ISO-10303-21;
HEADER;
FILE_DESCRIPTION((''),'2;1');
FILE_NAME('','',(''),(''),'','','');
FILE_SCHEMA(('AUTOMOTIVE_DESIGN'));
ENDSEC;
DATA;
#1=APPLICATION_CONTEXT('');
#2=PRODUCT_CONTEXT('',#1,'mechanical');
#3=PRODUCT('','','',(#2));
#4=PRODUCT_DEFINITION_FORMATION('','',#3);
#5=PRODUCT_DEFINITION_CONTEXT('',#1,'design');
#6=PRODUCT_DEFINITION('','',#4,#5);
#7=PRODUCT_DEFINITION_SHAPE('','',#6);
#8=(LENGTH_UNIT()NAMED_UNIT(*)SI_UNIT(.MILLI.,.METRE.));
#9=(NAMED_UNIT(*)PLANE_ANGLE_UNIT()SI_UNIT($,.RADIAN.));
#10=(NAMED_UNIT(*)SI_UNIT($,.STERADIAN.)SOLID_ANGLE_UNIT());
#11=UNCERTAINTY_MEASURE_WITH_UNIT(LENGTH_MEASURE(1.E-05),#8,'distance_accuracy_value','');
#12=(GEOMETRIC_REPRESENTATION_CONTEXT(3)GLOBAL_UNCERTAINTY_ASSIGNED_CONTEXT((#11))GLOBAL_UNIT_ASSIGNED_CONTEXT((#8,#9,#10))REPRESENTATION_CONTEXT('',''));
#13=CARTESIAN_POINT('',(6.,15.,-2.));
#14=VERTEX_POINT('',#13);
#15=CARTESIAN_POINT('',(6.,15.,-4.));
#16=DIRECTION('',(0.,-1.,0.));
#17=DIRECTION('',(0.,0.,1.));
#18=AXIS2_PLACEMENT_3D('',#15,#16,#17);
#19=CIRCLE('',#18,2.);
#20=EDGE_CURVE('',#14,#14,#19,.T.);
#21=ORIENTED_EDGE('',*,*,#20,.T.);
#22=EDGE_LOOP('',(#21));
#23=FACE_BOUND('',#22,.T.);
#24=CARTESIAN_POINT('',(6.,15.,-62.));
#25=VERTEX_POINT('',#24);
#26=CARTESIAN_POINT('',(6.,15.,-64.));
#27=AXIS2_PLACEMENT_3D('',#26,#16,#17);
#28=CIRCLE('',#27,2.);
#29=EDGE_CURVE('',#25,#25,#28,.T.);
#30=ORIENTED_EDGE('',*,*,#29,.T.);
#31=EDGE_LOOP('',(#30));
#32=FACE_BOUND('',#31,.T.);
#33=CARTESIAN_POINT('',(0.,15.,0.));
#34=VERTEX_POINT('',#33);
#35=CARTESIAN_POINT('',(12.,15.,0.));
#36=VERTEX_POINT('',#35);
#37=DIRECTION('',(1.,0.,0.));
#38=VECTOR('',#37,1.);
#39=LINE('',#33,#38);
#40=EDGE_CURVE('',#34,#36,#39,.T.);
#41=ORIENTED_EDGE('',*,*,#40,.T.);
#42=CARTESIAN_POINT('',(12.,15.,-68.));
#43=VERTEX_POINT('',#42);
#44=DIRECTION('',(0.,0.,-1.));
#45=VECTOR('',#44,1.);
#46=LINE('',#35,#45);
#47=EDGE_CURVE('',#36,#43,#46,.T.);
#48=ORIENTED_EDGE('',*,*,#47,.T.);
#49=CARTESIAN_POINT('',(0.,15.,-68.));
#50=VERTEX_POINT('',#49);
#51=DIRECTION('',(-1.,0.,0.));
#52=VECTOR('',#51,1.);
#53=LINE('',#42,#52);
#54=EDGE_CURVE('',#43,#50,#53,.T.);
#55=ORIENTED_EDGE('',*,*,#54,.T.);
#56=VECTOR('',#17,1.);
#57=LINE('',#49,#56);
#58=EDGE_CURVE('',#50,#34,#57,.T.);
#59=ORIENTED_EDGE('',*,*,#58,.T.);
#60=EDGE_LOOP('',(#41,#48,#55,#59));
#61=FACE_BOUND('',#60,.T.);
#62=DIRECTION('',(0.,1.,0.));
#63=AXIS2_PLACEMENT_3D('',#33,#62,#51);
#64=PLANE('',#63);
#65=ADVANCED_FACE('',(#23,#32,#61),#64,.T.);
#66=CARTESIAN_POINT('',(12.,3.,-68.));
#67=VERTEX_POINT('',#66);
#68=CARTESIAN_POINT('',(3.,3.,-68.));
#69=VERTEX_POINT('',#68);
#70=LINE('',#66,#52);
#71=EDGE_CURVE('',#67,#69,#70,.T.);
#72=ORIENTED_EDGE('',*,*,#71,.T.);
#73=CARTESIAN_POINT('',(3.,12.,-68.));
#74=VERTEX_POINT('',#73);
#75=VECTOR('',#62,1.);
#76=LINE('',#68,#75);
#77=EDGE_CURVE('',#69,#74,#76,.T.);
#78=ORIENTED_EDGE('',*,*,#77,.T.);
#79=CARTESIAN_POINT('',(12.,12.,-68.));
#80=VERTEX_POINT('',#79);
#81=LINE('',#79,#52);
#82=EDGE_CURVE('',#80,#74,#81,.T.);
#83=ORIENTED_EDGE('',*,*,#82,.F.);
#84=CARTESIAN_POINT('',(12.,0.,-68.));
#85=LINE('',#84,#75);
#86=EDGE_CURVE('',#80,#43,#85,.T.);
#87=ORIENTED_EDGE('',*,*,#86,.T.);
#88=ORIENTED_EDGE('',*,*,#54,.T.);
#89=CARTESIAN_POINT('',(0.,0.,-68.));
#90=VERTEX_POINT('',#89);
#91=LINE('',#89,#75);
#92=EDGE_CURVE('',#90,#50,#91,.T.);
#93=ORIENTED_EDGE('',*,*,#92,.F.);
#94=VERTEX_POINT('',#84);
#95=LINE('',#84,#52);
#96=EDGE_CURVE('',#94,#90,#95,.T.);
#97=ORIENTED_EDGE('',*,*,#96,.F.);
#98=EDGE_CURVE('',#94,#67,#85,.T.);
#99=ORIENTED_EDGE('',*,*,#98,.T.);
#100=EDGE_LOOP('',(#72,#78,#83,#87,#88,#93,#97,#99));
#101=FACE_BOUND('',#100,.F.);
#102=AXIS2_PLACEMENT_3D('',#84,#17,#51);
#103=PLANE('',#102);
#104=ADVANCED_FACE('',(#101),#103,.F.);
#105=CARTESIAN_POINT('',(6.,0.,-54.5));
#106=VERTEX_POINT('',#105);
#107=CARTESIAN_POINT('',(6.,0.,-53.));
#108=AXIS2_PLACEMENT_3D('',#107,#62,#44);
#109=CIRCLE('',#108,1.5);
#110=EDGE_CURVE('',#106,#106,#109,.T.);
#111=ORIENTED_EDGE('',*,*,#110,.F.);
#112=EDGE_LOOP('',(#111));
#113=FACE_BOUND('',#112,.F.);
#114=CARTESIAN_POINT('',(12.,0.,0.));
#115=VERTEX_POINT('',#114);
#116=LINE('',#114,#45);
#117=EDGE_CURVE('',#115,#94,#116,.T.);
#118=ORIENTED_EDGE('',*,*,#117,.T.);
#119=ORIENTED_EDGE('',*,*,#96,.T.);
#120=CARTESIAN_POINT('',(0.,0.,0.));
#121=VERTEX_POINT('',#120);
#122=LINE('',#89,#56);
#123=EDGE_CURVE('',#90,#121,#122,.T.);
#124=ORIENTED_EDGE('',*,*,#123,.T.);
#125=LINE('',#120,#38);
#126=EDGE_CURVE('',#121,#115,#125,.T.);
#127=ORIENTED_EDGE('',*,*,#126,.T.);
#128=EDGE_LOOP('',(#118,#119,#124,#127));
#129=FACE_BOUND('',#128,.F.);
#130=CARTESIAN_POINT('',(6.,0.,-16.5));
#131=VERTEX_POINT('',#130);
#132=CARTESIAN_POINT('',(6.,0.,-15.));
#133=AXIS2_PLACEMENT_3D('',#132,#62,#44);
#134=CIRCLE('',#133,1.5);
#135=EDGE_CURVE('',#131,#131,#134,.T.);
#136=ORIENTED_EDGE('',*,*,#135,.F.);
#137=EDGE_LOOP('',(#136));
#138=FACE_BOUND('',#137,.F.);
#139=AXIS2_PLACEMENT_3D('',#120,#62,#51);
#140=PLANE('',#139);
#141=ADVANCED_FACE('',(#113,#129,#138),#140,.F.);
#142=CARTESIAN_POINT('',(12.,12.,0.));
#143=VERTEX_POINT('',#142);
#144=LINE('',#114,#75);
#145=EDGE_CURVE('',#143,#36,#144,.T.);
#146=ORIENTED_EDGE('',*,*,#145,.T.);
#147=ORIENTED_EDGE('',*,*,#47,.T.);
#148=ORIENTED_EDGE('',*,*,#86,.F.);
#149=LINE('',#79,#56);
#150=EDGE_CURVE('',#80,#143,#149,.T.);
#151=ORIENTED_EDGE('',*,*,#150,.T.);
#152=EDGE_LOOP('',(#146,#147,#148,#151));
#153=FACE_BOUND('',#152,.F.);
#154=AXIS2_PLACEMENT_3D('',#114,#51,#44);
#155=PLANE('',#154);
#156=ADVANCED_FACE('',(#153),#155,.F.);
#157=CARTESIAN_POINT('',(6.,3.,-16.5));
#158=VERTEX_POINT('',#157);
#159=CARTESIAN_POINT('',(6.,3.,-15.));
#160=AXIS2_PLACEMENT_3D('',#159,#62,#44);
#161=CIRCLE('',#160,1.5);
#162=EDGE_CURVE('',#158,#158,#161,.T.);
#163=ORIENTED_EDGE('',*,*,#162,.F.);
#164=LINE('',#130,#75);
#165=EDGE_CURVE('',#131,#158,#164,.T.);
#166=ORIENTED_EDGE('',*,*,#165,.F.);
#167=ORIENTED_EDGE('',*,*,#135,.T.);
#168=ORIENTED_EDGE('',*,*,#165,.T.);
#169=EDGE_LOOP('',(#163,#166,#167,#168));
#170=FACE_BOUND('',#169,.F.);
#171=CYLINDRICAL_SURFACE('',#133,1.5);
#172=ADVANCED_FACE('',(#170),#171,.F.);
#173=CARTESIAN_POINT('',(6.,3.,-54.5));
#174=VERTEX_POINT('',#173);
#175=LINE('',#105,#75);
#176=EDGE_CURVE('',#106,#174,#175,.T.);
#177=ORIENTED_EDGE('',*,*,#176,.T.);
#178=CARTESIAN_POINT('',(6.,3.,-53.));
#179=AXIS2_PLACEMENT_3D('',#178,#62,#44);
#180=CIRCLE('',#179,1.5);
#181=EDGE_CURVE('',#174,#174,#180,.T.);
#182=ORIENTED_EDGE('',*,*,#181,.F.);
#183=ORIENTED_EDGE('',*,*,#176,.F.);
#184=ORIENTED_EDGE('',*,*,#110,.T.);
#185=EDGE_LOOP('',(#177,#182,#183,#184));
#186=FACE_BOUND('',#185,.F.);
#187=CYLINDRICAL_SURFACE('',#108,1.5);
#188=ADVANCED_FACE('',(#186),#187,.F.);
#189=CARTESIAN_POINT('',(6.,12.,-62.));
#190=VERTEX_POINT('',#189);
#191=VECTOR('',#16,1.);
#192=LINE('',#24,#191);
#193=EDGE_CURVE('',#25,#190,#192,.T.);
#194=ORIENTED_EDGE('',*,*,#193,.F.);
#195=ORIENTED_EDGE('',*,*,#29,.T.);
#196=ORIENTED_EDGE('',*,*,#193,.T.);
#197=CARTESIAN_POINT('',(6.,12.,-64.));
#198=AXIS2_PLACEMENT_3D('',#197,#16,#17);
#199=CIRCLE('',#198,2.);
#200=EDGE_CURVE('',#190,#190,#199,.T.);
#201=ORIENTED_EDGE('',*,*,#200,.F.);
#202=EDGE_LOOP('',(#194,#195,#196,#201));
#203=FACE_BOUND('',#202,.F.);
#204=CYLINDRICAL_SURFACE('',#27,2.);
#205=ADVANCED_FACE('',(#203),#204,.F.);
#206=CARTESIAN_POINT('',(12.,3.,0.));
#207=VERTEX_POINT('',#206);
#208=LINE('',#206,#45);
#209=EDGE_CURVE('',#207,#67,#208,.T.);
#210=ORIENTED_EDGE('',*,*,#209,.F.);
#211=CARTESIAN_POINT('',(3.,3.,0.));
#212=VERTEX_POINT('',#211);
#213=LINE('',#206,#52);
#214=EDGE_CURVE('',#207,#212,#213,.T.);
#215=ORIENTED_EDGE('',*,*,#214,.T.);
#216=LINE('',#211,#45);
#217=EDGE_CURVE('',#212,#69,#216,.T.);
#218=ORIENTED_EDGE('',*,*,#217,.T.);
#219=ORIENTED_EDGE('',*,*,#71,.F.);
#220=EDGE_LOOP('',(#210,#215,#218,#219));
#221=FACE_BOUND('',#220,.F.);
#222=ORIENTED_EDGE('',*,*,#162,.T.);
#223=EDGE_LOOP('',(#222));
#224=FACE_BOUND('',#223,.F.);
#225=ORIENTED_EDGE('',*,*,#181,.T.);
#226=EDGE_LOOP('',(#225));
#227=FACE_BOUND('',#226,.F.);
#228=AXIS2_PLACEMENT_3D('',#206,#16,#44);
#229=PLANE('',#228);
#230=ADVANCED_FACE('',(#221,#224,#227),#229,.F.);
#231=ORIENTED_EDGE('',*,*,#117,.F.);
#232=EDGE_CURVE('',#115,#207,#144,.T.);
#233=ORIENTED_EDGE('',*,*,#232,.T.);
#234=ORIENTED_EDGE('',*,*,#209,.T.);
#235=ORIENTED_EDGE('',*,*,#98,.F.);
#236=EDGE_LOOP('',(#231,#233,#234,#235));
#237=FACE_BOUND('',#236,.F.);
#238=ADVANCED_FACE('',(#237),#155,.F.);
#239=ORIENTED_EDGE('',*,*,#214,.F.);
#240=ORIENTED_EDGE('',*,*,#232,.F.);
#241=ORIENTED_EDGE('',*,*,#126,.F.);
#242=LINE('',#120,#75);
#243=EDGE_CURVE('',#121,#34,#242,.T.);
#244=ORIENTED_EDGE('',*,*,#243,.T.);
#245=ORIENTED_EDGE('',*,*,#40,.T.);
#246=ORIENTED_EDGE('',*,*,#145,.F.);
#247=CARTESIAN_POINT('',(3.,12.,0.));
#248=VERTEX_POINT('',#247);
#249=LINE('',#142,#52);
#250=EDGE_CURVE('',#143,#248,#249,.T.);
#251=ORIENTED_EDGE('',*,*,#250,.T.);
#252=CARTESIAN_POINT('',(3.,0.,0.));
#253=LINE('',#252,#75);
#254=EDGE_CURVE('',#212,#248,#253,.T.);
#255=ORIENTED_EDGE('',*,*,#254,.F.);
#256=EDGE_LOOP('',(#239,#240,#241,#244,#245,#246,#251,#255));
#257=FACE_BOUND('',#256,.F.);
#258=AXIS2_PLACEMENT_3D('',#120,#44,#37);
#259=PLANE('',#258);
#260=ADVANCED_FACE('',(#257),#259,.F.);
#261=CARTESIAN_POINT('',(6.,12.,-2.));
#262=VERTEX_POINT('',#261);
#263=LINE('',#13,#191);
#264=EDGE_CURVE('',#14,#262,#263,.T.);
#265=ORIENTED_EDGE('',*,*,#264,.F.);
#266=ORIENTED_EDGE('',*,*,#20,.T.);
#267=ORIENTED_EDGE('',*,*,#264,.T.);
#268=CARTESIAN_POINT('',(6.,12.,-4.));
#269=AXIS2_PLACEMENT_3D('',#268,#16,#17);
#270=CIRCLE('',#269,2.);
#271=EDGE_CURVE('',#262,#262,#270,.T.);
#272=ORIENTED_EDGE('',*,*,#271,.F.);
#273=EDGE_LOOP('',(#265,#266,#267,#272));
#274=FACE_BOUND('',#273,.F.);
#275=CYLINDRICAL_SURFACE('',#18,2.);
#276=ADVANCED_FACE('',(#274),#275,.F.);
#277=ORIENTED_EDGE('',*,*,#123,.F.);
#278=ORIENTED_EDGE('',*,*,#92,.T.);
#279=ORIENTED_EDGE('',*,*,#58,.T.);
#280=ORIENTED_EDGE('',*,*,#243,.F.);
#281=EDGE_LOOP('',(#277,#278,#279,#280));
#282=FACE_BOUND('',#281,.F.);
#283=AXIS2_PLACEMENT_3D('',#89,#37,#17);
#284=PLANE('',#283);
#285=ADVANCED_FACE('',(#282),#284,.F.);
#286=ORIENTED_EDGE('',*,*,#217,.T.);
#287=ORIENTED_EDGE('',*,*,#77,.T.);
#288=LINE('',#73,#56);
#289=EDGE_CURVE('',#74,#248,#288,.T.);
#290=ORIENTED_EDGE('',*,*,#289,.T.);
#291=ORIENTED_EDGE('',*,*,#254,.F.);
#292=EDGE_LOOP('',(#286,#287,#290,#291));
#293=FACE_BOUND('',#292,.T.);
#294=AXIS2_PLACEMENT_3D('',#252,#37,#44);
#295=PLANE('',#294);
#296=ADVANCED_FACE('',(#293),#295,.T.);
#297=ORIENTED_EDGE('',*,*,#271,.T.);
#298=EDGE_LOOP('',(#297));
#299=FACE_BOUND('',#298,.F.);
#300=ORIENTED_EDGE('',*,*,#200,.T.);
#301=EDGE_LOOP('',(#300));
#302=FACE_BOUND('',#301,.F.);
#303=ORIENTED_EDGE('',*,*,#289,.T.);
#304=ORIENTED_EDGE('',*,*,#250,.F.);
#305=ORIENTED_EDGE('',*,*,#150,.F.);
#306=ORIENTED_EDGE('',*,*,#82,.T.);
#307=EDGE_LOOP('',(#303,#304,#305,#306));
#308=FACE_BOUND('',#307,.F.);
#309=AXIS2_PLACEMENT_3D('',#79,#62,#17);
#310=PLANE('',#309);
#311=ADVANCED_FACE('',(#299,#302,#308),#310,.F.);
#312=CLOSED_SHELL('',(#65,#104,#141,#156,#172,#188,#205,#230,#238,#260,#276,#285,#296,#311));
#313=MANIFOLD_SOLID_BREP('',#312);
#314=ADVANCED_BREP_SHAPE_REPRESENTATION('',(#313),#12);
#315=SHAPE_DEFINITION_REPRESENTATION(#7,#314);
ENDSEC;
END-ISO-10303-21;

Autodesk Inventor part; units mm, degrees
ref_plane "YZ Plane" through (0, 0, 0) normal (1, 0, 0) x (0, 1, 0)
ref_plane "XZ Plane" through (0, 0, 0) normal (0, 1, 0) x (-1, 0, 0)
ref_plane "XY Plane" through (0, 0, 0) normal (0, 0, 1) x (1, 0, 0)
sketch "Sketch1" plane through (0, 0, 0) normal (0, 1, 0) x (-1, 0, 0)
  line L0 (0, 0) -> (-12, 0)
  line L1 (-12, 0) -> (-12, -68)
  line L2 (-12, -68) -> (0, -68)
  line L3 (0, -68) -> (0, 0)
  dimension "d0" = 12
  dimension "d1" = 68
extrude "Extrusion1" add sketch "Sketch1" along normal blind 15
sketch "Sketch4" plane through (12, 0, 0) normal (1, 0, 0) x (0, 0, -1)
  line L0 (0, 0) -> (0, 15) projected
  line L1 (0, 3) -> (68, 3)
  line L2 (68, 3) -> (68, 12)
  line L3 (68, 12) -> (0, 12)
  line L4 (0, 12) -> (0, 3)
  line L5 (0, 0) -> (68, 0) projected
  dimension "d30" = 68
  dimension "d31" = 9
  dimension "d32" = 3
extrude "Extrusion2" cut sketch "Sketch4" against normal blind 9
sketch "Sketch2" plane through (0, 15, 0) normal (0, 1, 0) x (1, 0, 0)
  circle A0 centre (6, 64) radius 2
  circle A1 centre (6, 4) radius 2
  line L0 (0, 68) -> (0, 0) projected
  line L1 (12, 68) -> (0, 68) projected
  line L2 (0, 0) -> (12, 0) projected
  dimension "d4" = 4
  dimension "d5" = 4
  dimension "d6" = 6
  dimension "d7" = 6
  dimension "d8" = 4
  dimension "d9" = 4
hole "Hole1" at (6, 15, -4) at (6, 15, -64) direction (0, -1, 0) diameter 4 depth 3 tip angle 118
sketch "Sketch3" plane through (0, 0, 0) normal (0, -1, 0) x (1, 0, 0)
  circle A0 centre (6, -15) radius 1.5
  circle A1 centre (6, -53) radius 1.5
  line L0 (0, -68) -> (0, 0) projected
  line L1 (0, 0) -> (12, 0) projected
  line L2 (12, -68) -> (0, -68) projected
  dimension "d17" = 3
  dimension "d18" = 3
  dimension "d19" = 6
  dimension "d20" = 6
  dimension "d21" = 15
  dimension "d22" = 15
hole "Hole2" at (6, 0, -53) at (6, 0, -15) direction (0, 1, 0) diameter 3 depth 3 tip angle 118
thread "Thread1" size "M4x0.7" class "6H" standard "ANSI Metric M Profile" full length
thread "Thread2" size "M4x0.7" class "6H" standard "ANSI Metric M Profile" full length
thread "Thread3" size "M3x0.5" class "6H" standard "ANSI Metric M Profile" full length
thread "Thread4" size "M3x0.5" class "6H" standard "ANSI Metric M Profile" full length
properties part number "sensor3_lock" material "Aluminum 6061"
